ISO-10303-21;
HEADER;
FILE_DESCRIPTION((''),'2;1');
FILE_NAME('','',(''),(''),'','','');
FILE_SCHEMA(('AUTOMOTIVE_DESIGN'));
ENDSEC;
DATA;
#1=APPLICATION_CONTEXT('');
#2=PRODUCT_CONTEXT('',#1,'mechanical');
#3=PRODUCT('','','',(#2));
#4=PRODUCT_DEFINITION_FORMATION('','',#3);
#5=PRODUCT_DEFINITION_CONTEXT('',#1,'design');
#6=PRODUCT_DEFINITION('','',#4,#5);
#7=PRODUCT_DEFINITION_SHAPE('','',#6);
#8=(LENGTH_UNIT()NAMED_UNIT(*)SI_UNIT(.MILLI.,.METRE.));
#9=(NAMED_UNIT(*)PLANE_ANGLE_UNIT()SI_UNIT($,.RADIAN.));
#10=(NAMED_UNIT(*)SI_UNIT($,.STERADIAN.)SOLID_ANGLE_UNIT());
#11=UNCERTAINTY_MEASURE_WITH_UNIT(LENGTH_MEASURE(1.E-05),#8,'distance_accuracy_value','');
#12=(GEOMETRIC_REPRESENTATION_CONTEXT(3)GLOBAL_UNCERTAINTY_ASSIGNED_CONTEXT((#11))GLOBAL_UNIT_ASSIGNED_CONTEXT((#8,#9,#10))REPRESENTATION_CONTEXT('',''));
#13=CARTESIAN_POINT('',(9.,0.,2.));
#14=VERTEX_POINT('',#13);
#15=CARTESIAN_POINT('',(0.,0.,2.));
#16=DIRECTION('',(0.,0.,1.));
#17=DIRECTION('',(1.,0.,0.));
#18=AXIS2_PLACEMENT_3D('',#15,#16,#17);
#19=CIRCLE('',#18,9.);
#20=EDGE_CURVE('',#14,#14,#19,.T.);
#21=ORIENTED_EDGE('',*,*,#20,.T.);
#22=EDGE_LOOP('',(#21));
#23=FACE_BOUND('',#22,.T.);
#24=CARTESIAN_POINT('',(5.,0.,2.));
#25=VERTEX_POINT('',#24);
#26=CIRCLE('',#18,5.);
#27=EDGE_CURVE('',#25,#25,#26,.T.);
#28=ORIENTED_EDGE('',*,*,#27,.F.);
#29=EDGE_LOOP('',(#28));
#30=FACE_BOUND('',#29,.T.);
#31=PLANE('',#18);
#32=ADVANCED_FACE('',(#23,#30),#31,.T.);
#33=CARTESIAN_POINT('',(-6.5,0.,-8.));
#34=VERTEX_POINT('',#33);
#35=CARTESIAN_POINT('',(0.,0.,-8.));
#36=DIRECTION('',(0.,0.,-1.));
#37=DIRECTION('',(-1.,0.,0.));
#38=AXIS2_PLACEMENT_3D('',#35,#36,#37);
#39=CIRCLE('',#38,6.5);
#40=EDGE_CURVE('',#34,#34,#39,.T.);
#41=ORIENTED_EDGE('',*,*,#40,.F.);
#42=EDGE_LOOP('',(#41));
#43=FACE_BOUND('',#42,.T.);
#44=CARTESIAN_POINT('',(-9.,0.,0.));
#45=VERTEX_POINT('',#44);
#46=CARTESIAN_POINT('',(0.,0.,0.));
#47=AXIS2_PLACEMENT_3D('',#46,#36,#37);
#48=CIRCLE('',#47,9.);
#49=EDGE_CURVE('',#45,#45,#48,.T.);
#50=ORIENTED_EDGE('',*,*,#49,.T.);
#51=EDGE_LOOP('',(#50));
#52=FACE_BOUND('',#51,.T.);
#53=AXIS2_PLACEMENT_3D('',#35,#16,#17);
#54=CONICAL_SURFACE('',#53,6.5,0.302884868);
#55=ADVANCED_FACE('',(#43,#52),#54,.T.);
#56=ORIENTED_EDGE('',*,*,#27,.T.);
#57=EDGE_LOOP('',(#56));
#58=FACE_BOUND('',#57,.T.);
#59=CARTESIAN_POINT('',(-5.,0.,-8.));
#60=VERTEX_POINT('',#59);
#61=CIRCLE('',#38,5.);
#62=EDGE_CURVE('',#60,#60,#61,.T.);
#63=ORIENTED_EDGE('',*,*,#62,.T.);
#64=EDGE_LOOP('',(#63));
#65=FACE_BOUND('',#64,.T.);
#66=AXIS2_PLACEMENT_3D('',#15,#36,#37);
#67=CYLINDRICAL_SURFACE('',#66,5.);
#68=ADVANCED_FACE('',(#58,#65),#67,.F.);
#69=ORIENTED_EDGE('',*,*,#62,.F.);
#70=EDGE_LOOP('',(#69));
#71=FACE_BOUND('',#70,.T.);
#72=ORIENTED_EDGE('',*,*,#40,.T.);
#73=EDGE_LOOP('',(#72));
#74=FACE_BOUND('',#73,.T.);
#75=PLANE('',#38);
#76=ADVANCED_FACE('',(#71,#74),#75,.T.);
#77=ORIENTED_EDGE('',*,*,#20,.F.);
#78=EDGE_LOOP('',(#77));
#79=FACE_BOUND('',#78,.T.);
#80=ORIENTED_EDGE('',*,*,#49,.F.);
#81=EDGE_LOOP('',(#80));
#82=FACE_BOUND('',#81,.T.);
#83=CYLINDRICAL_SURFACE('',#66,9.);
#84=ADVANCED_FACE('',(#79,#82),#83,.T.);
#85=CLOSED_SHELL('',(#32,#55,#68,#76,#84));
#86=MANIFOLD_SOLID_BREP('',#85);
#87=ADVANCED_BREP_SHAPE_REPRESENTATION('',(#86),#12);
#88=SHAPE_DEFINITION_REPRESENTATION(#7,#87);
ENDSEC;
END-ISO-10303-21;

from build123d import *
from build123d.topology import SkipClean

# Parameters (mm, degrees)
SKETCH1_R           = 9
SKETCH1_R_2         = 5
BOSS_EXTRUDE1_DEPTH = 2
SKETCH3_R           = 9
SKETCH2_R           = 6.5
SKETCH4_R           = 5
CUT_EXTRUDE1_DEPTH  = 10


with BuildPart() as part:
    # Sketch1 → Boss-Extrude1 (new body)
    with BuildSketch(Plane.XY):
        Circle(SKETCH1_R)
        Circle(SKETCH1_R_2, mode=Mode.SUBTRACT)
    extrude(amount=BOSS_EXTRUDE1_DEPTH)

    # Sketch3 → Loft1 section 0
    with BuildSketch(Plane(origin=(0, 0, 0), x_dir=(-1, 0, 0), z_dir=(0, 0, -1))):
        Circle(SKETCH3_R)
    # Sketch2 → Loft1 section 1
    with BuildSketch(Plane(origin=(0, 0, -8), x_dir=(-1, 0, 0), z_dir=(0, 0, -1))):
        Circle(SKETCH2_R)
    loft()

    # Sketch4 → Cut-Extrude1 (cut)
    with SkipClean():  # the faces are left unmerged after this step: merging them gives an invalid solid
        with BuildSketch(Plane(origin=(0, 0, -8), x_dir=(-1, 0, 0), z_dir=(0, 0, -1))):
            Circle(SKETCH4_R)
        extrude(amount=-CUT_EXTRUDE1_DEPTH, mode=Mode.SUBTRACT)


solid = part.part
